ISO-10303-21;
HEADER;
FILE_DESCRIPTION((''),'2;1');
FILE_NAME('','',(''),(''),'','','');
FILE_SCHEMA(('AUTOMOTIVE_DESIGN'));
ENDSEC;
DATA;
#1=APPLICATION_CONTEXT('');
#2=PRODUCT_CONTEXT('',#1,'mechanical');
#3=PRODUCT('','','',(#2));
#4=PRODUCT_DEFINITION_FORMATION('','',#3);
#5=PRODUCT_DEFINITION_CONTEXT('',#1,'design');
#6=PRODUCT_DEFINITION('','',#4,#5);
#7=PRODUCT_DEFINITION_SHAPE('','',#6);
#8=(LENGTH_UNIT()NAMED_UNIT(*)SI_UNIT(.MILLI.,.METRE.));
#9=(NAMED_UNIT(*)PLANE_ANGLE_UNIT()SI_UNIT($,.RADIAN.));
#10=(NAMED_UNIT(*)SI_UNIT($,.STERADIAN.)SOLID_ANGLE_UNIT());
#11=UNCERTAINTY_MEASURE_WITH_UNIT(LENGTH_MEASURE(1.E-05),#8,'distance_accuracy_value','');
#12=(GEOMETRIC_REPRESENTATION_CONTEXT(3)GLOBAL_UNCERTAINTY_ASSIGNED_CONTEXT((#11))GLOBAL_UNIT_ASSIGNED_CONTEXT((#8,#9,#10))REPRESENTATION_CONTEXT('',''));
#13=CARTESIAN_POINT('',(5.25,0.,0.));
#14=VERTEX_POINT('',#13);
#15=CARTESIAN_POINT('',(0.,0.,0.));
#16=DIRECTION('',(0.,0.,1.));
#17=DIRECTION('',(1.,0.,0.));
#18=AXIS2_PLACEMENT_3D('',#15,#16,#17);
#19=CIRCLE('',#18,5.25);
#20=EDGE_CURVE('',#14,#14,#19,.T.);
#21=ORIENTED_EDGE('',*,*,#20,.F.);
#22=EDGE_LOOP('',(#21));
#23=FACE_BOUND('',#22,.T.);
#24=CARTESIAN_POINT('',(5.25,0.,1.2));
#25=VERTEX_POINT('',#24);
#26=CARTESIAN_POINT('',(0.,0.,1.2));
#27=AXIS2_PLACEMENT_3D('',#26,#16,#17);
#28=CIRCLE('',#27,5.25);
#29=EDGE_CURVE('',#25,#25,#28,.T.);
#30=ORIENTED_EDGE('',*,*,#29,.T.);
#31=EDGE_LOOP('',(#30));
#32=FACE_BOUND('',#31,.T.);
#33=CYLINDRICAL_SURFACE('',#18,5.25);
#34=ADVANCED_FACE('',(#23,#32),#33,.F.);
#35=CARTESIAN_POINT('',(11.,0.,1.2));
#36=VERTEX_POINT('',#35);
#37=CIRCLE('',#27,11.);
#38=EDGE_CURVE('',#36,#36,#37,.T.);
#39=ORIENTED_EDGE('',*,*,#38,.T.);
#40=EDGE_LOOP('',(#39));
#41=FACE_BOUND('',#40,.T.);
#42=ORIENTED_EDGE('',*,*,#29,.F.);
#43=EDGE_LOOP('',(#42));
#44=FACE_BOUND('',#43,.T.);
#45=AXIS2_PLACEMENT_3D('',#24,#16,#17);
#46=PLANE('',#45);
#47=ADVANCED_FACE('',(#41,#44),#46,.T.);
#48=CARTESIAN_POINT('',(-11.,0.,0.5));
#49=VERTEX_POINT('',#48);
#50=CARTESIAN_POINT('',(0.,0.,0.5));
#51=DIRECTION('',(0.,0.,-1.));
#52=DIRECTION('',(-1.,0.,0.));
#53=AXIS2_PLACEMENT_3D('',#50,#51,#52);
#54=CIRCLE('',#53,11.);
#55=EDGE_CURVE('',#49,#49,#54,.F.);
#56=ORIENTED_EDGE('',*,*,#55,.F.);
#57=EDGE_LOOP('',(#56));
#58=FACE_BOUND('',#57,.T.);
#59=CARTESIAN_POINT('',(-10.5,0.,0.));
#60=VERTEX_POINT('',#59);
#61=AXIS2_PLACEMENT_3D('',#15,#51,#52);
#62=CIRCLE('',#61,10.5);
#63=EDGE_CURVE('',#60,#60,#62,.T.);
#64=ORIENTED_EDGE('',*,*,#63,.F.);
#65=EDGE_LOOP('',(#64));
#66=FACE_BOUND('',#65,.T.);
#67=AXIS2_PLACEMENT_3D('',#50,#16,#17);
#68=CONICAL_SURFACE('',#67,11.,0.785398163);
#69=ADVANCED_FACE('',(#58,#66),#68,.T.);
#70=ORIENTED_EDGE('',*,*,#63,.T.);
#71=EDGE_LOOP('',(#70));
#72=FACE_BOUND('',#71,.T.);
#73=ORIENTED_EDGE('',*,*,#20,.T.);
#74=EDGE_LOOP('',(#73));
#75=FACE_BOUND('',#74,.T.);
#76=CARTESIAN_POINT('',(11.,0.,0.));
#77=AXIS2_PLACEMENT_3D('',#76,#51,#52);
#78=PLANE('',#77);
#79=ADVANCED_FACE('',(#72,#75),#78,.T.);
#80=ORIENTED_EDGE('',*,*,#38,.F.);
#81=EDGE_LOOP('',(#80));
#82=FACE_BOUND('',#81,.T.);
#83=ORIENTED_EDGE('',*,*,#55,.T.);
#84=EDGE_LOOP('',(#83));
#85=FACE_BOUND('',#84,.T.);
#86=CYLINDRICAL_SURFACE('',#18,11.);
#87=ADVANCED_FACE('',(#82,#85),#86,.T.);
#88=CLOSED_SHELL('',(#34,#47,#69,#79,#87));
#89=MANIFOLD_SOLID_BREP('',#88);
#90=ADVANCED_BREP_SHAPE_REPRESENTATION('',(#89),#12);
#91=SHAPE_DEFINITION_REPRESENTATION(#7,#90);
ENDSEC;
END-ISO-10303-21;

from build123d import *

# Parameters (mm, degrees)
CROQUIS1_W    = 5.75
CROQUIS1_H    = 1.2
CHAFL_N1_SIZE = 0.5


with BuildPart() as part:
    # Croquis1 → Revolución1 (revolve)
    with BuildSketch(Plane(origin=(0, 0, 0), x_dir=(1, 0, 0), z_dir=(0, 1, 0))):
        with Locations((8.125, -0.6)):
            Rectangle(CROQUIS1_W, CROQUIS1_H)
    revolve(axis=Axis((0, 0, 0), (0, 0, 1)))

    # Chaflán1
    chafl_n1_edges = [part.edges().sort_by_distance(p)[0] for p in [
        (-11, 0, 0),
    ]]
    chamfer(chafl_n1_edges, length=CHAFL_N1_SIZE)


solid = part.part
